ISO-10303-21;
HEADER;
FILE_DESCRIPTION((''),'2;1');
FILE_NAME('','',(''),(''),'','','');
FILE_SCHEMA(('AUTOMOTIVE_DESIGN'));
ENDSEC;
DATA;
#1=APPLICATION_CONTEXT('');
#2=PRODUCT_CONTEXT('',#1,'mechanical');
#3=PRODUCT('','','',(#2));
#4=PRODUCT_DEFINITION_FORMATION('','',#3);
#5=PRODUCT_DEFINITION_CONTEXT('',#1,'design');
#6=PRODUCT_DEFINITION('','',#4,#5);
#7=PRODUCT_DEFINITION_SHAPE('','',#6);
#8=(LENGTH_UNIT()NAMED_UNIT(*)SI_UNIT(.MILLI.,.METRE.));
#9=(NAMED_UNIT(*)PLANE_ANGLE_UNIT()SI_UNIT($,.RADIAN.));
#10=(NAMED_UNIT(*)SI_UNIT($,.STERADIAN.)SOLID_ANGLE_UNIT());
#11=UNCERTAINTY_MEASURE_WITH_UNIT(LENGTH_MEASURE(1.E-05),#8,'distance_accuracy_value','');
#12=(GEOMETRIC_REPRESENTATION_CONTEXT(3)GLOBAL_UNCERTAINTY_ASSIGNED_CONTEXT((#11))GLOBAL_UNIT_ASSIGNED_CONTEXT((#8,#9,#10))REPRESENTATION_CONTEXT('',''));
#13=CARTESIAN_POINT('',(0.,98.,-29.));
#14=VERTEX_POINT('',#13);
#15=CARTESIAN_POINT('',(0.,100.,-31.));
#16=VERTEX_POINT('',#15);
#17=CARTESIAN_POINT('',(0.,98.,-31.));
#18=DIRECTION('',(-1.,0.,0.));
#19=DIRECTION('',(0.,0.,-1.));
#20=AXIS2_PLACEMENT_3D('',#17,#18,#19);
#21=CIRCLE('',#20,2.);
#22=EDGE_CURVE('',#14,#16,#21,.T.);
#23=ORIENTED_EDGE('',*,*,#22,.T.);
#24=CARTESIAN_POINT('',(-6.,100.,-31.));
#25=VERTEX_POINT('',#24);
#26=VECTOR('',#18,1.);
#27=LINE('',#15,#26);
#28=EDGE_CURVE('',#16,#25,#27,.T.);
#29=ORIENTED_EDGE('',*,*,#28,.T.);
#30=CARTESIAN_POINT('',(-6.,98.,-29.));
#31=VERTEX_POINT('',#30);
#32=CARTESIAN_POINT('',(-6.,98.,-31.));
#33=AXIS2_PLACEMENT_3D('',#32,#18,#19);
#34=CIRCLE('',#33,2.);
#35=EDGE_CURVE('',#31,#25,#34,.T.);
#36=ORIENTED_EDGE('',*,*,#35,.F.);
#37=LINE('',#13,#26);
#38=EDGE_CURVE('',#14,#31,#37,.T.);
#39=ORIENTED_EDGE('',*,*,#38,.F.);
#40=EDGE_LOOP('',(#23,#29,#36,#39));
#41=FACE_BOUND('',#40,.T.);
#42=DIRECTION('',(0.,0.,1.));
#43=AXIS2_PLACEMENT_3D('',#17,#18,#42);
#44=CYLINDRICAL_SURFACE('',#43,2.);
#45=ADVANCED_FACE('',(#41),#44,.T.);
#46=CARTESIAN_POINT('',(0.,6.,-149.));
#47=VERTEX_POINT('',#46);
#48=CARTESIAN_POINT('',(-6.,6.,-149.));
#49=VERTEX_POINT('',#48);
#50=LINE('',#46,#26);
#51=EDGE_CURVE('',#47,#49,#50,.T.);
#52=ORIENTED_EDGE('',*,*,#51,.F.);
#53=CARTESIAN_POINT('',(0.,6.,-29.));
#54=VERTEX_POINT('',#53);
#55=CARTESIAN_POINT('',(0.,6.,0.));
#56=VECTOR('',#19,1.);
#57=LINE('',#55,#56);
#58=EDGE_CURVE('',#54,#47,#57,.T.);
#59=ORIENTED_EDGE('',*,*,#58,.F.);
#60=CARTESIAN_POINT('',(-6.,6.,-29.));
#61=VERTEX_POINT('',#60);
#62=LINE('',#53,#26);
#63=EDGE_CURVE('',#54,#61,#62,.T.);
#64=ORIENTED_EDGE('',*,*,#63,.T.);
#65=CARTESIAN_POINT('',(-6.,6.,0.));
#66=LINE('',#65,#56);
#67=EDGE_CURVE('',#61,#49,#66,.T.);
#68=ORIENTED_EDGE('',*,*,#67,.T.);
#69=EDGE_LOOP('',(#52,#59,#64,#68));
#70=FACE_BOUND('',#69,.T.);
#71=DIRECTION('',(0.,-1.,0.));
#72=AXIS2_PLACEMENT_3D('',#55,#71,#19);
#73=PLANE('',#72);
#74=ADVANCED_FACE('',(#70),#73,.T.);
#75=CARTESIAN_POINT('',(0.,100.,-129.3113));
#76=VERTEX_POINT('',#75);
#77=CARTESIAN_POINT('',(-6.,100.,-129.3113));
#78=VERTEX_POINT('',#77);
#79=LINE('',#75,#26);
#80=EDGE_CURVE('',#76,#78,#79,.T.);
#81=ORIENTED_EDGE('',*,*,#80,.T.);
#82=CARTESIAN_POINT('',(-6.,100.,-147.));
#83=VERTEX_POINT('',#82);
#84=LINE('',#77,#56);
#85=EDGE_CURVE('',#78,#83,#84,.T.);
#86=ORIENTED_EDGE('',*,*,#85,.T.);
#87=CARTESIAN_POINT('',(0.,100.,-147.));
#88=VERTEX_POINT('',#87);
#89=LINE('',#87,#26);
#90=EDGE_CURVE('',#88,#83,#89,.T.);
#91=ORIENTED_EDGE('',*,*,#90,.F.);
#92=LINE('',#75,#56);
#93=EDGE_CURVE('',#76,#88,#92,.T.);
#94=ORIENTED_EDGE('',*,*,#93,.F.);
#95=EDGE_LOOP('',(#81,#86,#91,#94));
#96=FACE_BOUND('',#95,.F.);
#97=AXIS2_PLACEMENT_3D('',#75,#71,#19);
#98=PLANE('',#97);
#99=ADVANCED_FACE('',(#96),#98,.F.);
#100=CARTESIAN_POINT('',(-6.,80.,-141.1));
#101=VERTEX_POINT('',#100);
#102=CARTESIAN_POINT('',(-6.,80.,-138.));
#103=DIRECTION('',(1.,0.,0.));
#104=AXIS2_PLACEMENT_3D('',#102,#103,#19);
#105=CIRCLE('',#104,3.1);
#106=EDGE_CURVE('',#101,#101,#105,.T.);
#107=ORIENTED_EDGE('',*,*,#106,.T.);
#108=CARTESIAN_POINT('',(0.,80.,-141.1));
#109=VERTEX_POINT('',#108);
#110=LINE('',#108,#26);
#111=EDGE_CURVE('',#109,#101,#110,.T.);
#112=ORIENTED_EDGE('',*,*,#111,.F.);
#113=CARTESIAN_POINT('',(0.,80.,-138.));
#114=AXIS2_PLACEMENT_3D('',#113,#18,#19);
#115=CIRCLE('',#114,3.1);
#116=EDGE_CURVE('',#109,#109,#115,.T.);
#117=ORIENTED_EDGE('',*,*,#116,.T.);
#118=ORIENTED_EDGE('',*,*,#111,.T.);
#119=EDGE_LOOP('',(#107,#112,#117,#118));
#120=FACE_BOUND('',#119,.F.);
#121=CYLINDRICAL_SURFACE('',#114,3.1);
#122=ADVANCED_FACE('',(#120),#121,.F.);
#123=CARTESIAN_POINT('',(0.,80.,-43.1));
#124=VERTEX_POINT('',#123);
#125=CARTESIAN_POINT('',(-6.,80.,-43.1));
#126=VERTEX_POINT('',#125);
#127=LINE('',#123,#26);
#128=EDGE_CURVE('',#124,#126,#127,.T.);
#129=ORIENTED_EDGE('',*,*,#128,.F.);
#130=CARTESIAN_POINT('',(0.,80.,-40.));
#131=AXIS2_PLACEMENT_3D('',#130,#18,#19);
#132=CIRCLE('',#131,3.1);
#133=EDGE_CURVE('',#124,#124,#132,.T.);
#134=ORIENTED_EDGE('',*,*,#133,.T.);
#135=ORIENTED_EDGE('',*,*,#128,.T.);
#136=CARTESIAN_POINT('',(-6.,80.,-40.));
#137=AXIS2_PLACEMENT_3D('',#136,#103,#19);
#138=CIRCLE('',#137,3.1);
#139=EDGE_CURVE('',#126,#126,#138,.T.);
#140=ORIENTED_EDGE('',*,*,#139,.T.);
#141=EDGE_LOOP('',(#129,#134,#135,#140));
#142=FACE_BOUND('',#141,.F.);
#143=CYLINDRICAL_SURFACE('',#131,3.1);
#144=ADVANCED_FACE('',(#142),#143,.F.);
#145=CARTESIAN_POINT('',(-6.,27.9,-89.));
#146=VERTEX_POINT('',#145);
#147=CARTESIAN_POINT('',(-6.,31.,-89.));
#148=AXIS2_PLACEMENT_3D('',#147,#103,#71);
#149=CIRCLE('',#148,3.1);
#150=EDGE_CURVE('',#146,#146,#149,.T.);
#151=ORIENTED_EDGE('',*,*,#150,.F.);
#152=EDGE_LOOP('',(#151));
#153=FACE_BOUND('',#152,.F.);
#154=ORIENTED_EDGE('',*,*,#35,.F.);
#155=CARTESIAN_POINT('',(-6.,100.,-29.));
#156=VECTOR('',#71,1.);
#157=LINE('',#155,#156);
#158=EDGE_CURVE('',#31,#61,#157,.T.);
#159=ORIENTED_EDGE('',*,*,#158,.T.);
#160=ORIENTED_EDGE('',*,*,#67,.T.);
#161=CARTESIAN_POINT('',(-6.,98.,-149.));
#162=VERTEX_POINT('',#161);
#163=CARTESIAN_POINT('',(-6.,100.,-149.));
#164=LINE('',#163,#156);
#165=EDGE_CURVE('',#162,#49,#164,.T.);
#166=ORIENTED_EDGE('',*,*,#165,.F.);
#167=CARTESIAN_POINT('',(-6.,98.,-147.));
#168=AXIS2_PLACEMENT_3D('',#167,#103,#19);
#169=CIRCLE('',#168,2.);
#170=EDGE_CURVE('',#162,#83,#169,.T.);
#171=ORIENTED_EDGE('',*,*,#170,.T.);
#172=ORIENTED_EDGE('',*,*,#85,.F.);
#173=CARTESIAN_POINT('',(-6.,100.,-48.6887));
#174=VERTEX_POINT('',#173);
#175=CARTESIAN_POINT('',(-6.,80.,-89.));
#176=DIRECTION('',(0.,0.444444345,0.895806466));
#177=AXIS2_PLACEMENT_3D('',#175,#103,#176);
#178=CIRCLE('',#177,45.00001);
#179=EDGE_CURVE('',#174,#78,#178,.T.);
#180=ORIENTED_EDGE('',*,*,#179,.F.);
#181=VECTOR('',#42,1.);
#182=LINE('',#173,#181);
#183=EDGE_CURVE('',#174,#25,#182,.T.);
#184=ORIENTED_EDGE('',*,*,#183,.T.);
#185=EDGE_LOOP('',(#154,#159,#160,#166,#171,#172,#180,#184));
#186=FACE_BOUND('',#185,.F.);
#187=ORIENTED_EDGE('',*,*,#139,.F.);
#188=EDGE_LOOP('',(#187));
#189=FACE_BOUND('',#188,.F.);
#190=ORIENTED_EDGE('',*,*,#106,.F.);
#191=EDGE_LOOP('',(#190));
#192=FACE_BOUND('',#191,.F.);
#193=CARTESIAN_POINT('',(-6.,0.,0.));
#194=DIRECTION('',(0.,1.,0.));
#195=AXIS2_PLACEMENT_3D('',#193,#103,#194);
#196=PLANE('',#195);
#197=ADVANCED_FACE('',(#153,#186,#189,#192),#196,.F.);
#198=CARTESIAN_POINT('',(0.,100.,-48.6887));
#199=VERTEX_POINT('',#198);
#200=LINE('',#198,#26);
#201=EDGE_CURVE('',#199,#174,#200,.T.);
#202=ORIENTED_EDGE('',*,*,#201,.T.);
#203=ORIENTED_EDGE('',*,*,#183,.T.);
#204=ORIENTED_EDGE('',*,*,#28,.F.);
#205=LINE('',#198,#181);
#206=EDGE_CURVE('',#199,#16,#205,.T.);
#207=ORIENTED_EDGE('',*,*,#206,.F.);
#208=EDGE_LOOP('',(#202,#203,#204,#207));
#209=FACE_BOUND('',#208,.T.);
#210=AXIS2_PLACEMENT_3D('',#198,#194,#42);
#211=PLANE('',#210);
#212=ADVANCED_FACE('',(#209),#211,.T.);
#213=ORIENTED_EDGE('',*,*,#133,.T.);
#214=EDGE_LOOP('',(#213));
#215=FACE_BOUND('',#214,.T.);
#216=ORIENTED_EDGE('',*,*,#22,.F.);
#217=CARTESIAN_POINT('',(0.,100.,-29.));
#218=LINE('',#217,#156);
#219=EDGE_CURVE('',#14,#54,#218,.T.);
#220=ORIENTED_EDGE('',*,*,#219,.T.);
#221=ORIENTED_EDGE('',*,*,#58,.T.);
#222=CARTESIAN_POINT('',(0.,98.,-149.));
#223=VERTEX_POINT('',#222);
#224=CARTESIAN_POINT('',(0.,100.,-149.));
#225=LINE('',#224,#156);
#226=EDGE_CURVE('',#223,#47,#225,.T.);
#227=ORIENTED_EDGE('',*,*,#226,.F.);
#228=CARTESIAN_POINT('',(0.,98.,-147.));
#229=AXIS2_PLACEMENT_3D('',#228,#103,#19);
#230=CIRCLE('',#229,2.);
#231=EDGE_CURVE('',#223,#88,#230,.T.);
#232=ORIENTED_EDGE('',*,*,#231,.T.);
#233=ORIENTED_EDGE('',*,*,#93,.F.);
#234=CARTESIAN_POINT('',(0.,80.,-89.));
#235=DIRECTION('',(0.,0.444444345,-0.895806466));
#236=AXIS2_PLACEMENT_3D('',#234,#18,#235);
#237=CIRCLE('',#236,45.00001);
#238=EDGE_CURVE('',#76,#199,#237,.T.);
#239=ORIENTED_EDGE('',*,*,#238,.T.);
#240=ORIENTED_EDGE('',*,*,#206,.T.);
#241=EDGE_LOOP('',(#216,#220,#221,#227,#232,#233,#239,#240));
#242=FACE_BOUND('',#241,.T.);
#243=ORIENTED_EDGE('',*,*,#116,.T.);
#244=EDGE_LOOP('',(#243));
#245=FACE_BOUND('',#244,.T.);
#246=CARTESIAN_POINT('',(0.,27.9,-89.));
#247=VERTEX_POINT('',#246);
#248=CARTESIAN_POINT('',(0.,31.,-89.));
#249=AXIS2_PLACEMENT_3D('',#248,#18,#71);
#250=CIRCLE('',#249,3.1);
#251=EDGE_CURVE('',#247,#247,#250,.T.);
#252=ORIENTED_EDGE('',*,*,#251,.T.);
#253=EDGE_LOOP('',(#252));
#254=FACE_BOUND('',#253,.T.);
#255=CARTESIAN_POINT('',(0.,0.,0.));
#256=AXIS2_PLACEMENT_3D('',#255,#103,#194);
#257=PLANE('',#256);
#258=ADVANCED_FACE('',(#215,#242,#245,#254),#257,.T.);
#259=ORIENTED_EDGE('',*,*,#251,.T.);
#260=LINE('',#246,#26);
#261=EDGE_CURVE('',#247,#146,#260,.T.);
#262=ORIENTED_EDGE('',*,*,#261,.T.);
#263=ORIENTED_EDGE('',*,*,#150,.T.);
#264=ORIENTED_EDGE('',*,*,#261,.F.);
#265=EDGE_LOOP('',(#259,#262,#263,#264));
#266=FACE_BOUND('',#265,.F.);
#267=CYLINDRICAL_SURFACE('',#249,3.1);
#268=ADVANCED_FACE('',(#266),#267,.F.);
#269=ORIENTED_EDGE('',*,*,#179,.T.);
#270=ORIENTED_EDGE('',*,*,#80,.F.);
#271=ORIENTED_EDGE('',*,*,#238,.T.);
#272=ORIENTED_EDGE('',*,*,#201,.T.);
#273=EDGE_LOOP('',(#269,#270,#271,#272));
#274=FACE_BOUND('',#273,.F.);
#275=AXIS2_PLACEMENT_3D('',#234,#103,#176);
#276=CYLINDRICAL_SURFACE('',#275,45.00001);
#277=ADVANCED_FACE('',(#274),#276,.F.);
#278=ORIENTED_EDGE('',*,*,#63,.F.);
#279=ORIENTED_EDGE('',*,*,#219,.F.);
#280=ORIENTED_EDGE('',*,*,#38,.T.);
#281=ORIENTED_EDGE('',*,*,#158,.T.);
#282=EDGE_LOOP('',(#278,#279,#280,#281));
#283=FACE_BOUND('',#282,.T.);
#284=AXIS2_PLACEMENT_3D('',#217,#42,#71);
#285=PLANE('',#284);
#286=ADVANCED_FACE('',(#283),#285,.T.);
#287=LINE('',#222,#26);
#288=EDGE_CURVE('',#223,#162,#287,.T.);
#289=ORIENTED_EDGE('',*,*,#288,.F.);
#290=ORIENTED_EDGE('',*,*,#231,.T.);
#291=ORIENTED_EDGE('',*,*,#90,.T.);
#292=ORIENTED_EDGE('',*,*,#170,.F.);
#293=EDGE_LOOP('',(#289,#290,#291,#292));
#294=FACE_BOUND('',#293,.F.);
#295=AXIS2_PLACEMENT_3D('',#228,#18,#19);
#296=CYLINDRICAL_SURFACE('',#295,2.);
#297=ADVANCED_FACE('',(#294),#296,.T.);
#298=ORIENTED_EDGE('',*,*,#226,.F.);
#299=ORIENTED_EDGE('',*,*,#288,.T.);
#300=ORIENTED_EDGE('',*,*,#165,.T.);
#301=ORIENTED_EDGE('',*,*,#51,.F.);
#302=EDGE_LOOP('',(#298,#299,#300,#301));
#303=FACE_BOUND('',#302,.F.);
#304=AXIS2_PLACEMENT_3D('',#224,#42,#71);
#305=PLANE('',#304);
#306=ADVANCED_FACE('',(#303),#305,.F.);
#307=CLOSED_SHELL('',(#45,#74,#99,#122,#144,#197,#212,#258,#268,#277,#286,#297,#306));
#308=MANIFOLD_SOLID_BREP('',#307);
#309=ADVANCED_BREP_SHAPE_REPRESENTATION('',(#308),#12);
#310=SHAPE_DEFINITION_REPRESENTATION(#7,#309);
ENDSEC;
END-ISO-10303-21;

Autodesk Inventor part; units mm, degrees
ref_plane "YZ Plane" through (0, 0, 0) normal (1, 0, 0) x (0, 1, 0)
ref_plane "XZ Plane" through (0, 0, 0) normal (0, 1, 0) x (-1, 0, 0)
ref_plane "XY Plane" through (0, 0, 0) normal (0, 0, 1) x (1, 0, 0)
sketch "Szkic1" plane through (0, 0, 0) normal (1, 0, 0) x (0, 1, 0)
  line L0 (0, 0) -> (6, 0)
  line L1 (6, 0) -> (6, -178)
  line L2 (6, -178) -> (0, -178)
  line L3 (0, -178) -> (0, 0)
  line L4 (0, -89) -> (100, -89)
  line L5 (100, -129.3113) -> (100, -149)
  line L6 (100, -149) -> (6, -149)
  line L7 (100, -48.6887) -> (100, -29)
  line L8 (100, -29) -> (6, -29)
  line L9 (100, -89) -> (80, -89)
  arc A0 (100, -48.6887) -> (100, -129.3113) centre (80, -89) ccw
  line L10 (80, -40) -> (80, -138)
  point P0 (6, -29)
  dimension "d0" = 6
  dimension "d1" = 178
  dimension "d2" = 100
  dimension "d3" = 60
  dimension "d4" = 20
  dimension "d5" = 90
  dimension "d6" = 98
extrude "Wyciągnięcie proste1" add sketch "Szkic1" against normal blind 6 contours L0 L1 L4 L3 | L4 L1 L2 L3 | L8 L7 A0 L4 L1 | L4 A0 L5 L6 L1
hole "Otwór1" at (0, 80, -40) at (0, 80, -138) direction (-1, 0, 0) diameter 6.2 depth 33 tip angle 118
pattern_circular "Szyk kołowy1" count 4 over 360 about axis through (0, 80, -89) along (-1, 0, 0) of "Otwór1"
fillet "Zaokrąglenie1" radius 2 2 edges at (-3, 100, -29) (-3, 100, -149)
extrude "Wyciągnięcie proste3" cut sketch "Szkic1" against normal blind 37.25 contours L0 L1 L4 L3 | L4 L1 L2 L3
properties part number "łapa1"
